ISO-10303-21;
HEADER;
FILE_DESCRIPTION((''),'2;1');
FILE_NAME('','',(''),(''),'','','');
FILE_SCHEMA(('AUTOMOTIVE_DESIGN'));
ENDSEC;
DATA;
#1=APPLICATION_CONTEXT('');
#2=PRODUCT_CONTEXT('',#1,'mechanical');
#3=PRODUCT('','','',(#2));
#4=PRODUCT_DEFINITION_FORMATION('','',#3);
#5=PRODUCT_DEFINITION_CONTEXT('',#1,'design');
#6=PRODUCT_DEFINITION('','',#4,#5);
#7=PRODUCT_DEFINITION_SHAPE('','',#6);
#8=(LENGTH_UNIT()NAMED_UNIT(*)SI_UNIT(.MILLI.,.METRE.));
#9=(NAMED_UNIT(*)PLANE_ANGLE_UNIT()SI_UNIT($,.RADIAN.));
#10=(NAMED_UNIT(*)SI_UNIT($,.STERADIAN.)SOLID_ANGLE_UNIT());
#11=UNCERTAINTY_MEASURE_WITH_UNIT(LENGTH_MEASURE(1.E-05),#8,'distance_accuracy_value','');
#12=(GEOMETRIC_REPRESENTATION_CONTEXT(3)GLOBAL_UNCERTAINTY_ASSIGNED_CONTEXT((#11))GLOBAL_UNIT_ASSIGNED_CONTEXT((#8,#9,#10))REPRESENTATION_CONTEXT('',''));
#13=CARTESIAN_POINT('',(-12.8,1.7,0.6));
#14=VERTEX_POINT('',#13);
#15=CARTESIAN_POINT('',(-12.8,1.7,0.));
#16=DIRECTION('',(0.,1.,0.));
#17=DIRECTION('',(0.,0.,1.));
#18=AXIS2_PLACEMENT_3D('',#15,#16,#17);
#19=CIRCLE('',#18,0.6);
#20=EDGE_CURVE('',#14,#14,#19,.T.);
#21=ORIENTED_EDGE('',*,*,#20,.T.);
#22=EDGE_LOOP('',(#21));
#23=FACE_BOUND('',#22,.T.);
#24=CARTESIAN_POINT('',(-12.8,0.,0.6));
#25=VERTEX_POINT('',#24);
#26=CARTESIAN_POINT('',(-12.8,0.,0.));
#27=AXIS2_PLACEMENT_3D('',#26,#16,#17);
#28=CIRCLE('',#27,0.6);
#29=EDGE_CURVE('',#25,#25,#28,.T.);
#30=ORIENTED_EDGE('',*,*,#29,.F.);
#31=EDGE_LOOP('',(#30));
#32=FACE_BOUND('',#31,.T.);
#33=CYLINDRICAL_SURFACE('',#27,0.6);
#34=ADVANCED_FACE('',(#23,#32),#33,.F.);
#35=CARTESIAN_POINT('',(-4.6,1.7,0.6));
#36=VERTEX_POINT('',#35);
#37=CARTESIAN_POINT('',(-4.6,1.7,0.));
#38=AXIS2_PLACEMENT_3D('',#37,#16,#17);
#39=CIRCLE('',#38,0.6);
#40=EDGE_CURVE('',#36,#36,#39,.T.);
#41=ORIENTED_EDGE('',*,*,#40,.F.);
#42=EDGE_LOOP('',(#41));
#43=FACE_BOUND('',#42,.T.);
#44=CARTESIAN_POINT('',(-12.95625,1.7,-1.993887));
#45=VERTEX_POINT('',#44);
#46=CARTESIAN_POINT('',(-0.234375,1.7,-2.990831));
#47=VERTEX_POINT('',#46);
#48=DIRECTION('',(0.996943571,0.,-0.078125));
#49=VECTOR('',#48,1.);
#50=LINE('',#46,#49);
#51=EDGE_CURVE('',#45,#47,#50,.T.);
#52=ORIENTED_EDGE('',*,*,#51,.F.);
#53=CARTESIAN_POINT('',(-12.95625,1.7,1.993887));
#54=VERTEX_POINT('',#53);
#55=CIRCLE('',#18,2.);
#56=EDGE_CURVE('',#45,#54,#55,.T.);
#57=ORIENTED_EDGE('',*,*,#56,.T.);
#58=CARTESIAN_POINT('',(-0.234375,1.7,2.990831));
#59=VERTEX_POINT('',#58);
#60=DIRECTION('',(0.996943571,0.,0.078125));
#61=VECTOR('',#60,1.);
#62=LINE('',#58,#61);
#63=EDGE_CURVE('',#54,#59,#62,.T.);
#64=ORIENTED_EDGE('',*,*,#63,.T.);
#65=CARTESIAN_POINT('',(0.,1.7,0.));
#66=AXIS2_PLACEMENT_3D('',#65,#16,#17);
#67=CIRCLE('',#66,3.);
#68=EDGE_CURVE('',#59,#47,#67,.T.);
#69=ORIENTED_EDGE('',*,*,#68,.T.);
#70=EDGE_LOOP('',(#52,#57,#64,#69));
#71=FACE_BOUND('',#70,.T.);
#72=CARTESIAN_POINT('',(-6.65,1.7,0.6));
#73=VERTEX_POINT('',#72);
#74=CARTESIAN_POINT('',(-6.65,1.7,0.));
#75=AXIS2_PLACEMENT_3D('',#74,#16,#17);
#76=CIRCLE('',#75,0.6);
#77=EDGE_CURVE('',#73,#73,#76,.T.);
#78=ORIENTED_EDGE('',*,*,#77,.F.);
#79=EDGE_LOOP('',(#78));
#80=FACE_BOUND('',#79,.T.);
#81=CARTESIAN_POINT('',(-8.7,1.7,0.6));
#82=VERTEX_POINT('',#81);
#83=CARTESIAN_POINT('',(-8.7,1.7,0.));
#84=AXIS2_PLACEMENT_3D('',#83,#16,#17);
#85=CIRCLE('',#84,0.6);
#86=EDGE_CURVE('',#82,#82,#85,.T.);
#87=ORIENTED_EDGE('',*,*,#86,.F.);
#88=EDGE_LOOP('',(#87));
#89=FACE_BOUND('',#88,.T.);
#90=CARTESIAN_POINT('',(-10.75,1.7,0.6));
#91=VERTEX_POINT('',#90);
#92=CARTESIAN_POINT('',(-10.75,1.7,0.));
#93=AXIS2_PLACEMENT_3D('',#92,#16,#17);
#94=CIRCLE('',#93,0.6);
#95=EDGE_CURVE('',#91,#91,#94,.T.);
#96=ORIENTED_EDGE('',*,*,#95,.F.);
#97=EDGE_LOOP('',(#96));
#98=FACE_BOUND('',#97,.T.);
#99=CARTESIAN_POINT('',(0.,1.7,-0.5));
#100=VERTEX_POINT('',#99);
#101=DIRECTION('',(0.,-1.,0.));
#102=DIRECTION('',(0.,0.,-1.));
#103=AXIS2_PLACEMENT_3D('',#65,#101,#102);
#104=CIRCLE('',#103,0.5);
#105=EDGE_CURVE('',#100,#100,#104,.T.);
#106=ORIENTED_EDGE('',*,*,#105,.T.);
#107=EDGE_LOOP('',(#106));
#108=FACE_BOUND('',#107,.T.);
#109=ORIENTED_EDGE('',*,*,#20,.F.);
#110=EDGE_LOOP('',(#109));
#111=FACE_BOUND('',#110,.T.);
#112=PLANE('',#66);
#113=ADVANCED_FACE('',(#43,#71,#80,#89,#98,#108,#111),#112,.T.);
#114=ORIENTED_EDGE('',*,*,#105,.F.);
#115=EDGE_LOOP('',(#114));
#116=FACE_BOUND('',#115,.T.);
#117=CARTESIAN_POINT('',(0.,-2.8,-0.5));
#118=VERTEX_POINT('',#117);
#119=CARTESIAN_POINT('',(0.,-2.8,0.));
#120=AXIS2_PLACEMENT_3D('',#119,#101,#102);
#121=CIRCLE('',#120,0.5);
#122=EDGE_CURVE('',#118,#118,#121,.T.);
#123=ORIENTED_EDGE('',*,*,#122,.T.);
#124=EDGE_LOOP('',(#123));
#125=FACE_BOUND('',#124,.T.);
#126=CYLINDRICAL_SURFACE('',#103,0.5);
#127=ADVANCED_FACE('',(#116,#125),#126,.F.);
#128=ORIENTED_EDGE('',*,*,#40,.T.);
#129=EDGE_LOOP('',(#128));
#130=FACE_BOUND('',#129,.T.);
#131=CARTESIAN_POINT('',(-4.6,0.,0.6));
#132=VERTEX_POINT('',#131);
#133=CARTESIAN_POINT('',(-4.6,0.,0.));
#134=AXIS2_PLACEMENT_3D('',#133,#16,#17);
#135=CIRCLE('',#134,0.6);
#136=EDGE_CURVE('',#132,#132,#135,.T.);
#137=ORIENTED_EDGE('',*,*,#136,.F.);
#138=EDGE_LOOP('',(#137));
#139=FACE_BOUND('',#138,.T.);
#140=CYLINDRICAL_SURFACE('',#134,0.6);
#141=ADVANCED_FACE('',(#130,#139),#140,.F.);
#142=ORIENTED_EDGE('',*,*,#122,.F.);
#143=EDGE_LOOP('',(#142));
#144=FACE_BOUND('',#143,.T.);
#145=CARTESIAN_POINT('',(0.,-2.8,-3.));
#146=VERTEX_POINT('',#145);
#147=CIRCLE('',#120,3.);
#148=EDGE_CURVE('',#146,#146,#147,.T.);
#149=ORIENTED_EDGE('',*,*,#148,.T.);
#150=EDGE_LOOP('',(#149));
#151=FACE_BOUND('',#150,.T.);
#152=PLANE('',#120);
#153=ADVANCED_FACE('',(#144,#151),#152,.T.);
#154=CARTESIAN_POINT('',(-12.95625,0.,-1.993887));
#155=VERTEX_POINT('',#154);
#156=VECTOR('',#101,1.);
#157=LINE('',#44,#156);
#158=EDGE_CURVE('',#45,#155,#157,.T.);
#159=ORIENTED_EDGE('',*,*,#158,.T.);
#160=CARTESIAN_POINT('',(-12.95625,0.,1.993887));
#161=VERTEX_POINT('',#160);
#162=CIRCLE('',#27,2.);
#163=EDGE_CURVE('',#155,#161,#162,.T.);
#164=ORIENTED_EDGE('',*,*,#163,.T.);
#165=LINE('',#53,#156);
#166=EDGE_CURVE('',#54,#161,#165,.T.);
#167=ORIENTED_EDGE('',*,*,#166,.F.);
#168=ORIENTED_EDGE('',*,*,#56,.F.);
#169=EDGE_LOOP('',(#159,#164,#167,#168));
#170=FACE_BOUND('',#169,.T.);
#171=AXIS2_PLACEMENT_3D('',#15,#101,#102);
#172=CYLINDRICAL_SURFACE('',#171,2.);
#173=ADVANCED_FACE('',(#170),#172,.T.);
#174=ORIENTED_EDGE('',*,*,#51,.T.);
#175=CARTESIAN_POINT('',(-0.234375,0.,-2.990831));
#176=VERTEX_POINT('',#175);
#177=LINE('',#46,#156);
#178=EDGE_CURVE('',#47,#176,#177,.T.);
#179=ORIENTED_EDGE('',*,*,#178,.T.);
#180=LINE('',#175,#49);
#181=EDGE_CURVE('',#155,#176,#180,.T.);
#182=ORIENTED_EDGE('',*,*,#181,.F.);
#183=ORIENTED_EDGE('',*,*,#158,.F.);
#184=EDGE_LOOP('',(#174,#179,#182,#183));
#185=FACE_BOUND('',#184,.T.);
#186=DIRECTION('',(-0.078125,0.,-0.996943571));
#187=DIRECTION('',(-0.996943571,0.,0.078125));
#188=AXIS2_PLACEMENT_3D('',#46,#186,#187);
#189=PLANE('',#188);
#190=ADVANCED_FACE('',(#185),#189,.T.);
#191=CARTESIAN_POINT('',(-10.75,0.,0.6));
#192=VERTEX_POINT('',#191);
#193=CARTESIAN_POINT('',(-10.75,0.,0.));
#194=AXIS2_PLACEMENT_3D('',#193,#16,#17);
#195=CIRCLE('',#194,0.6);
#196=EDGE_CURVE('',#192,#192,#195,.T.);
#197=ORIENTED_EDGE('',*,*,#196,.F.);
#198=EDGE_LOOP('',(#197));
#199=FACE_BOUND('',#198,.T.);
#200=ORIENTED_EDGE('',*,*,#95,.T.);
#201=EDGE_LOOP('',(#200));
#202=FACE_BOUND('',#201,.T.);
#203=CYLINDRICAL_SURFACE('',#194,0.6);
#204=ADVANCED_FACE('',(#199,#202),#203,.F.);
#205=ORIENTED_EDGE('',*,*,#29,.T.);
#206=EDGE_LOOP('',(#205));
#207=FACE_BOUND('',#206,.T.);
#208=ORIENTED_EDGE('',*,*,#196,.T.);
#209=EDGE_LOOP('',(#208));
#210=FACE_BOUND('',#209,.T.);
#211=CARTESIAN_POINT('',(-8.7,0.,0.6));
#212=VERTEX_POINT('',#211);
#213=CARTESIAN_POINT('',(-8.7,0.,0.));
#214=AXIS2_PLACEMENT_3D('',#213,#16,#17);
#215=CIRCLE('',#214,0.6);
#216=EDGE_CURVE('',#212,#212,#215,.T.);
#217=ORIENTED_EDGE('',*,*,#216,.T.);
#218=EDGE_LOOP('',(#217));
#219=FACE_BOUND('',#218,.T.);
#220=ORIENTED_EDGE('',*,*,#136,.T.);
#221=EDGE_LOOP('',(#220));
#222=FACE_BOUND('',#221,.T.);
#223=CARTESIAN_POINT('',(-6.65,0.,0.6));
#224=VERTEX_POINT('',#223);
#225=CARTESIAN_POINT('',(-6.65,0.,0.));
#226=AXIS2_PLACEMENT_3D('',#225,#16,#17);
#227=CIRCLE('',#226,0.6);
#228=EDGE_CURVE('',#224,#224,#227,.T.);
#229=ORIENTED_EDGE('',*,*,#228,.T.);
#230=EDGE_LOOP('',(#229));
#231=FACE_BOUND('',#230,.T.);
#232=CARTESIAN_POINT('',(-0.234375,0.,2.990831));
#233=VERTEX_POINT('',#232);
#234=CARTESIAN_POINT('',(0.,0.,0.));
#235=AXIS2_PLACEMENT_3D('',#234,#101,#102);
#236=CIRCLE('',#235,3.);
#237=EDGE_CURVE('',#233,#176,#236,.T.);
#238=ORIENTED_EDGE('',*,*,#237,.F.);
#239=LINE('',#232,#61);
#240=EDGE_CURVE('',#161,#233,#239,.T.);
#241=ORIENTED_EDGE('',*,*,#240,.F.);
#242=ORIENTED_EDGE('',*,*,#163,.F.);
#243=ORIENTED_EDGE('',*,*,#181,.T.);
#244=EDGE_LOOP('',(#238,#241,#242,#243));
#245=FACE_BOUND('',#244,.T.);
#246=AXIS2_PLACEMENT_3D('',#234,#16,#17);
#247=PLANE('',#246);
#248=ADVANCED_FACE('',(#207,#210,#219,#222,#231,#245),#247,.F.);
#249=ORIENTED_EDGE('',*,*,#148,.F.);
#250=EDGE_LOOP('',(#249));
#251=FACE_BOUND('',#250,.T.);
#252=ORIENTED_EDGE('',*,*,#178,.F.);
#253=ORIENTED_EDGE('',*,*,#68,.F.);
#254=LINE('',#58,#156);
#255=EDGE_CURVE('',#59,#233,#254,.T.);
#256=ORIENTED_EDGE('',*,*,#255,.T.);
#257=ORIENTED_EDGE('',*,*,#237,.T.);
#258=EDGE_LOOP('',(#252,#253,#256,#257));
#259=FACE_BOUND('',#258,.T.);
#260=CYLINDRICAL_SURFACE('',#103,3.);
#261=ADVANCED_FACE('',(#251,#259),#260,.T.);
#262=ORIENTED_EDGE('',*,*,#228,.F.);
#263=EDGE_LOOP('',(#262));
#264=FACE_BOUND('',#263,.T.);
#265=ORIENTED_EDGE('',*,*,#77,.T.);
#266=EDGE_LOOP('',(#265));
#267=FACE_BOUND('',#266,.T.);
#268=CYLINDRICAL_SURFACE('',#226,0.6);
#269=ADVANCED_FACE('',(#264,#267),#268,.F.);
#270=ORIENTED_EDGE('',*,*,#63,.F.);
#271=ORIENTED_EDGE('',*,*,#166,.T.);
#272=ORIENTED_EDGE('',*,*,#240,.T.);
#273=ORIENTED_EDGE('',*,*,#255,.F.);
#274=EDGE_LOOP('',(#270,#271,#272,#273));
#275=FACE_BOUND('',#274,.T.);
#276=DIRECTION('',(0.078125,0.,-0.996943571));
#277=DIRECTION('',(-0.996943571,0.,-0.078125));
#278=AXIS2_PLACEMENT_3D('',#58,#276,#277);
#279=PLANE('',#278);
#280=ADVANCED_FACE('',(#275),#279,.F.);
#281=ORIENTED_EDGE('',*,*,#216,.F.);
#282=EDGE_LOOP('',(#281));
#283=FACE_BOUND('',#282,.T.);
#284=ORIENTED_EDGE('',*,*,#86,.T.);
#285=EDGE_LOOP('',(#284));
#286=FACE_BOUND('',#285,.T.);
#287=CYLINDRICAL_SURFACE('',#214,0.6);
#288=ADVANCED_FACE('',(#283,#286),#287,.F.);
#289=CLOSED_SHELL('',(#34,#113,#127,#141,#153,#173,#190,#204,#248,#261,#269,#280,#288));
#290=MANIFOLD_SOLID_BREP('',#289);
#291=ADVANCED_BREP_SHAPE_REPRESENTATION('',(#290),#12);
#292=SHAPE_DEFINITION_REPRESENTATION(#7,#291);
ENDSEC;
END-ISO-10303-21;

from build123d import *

# Parameters (mm, degrees)
BOSS_EXTRUDE1_DEPTH = 1.7
SKETCH2_R           = 0.6
CUT_EXTRUDE1_DEPTH  = 2.7
SKETCH3_R           = 3
BOSS_EXTRUDE2_DEPTH = 2.8
SKETCH4_R           = 0.5
CUT_EXTRUDE2_DEPTH  = 5.5


with BuildPart() as part:
    # Sketch1 → Boss-Extrude1 (new body)
    with BuildSketch(Plane(origin=(0, 0, 0), x_dir=(1, 0, 0), z_dir=(0, 1, 0))):
        with BuildLine():
            Line((-3, 0), (-10.8, 0))
            ThreePointArc((-10.8, 0), (-11.442152439, -1.468417516), (-12.95625, -1.993887143))
            Line((-12.95625, -1.993887143), (-0.234375, -2.990830714))
            ThreePointArc((-0.234375, -2.990830714), (-2.202626273, -2.036771342), (-3, 0))
        make_face()
        with BuildLine():
            ThreePointArc((-12.95625, 1.993887143), (-14.268417516, 1.357847561), (-14.8, 0))
            Line((-14.8, 0), (-10.8, 0))
            ThreePointArc((-10.8, 0), (-11.442152439, 1.468417516), (-12.95625, 1.993887143))
        make_face()
        with BuildLine():
            Line((-10.8, 0), (-14.8, 0))
            ThreePointArc((-14.8, 0), (-14.268417516, -1.357847561), (-12.95625, -1.993887143))
            ThreePointArc((-12.95625, -1.993887143), (-11.442152439, -1.468417516), (-10.8, 0))
        make_face()
        with BuildLine():
            ThreePointArc((-12.95625, 1.993887143), (-11.442152439, 1.468417516), (-10.8, 0))
            Line((-10.8, 0), (-3, 0))
            ThreePointArc((-3, 0), (-2.202626273, 2.036771342), (-0.234375, 2.990830714))
            Line((-0.234375, 2.990830714), (-12.95625, 1.993887143))
        make_face()
        with BuildLine():
            ThreePointArc((-0.234375, 2.990830714), (-2.202626273, 2.036771342), (-3, 0))
            Line((-3, 0), (3, 0))
            ThreePointArc((3, 0), (2.036771342, 2.202626273), (-0.234375, 2.990830714))
        make_face()
        with BuildLine():
            Line((3, 0), (-3, 0))
            ThreePointArc((-3, 0), (-2.202626273, -2.036771342), (-0.234375, -2.990830714))
            ThreePointArc((-0.234375, -2.990830714), (2.036771342, -2.202626273), (3, 0))
        make_face()
    extrude(amount=BOSS_EXTRUDE1_DEPTH)

    # Sketch2 → Cut-Extrude1 (cut, through all)
    with BuildSketch(Plane(origin=(0, 1.7, 0), x_dir=(1, 0, 0), z_dir=(0, 1, 0))):
        with Locations((-12.8, 0)):
            Circle(SKETCH2_R)
        with Locations((-10.75, 0)):
            Circle(SKETCH2_R)
        with Locations((-8.7, 0)):
            Circle(SKETCH2_R)
        with Locations((-6.65, 0)):
            Circle(SKETCH2_R)
        with Locations((-4.6, 0)):
            Circle(SKETCH2_R)
    extrude(amount=-CUT_EXTRUDE1_DEPTH, mode=Mode.SUBTRACT)

    # Sketch3 → Boss-Extrude2 (add)
    with BuildSketch(Plane.XZ):
        Circle(SKETCH3_R)
    extrude(amount=BOSS_EXTRUDE2_DEPTH)

    # Sketch4 → Cut-Extrude2 (cut, through all)
    with BuildSketch(Plane.XZ.offset(2.8)):
        Circle(SKETCH4_R)
    extrude(amount=-CUT_EXTRUDE2_DEPTH, mode=Mode.SUBTRACT)


solid = part.part
